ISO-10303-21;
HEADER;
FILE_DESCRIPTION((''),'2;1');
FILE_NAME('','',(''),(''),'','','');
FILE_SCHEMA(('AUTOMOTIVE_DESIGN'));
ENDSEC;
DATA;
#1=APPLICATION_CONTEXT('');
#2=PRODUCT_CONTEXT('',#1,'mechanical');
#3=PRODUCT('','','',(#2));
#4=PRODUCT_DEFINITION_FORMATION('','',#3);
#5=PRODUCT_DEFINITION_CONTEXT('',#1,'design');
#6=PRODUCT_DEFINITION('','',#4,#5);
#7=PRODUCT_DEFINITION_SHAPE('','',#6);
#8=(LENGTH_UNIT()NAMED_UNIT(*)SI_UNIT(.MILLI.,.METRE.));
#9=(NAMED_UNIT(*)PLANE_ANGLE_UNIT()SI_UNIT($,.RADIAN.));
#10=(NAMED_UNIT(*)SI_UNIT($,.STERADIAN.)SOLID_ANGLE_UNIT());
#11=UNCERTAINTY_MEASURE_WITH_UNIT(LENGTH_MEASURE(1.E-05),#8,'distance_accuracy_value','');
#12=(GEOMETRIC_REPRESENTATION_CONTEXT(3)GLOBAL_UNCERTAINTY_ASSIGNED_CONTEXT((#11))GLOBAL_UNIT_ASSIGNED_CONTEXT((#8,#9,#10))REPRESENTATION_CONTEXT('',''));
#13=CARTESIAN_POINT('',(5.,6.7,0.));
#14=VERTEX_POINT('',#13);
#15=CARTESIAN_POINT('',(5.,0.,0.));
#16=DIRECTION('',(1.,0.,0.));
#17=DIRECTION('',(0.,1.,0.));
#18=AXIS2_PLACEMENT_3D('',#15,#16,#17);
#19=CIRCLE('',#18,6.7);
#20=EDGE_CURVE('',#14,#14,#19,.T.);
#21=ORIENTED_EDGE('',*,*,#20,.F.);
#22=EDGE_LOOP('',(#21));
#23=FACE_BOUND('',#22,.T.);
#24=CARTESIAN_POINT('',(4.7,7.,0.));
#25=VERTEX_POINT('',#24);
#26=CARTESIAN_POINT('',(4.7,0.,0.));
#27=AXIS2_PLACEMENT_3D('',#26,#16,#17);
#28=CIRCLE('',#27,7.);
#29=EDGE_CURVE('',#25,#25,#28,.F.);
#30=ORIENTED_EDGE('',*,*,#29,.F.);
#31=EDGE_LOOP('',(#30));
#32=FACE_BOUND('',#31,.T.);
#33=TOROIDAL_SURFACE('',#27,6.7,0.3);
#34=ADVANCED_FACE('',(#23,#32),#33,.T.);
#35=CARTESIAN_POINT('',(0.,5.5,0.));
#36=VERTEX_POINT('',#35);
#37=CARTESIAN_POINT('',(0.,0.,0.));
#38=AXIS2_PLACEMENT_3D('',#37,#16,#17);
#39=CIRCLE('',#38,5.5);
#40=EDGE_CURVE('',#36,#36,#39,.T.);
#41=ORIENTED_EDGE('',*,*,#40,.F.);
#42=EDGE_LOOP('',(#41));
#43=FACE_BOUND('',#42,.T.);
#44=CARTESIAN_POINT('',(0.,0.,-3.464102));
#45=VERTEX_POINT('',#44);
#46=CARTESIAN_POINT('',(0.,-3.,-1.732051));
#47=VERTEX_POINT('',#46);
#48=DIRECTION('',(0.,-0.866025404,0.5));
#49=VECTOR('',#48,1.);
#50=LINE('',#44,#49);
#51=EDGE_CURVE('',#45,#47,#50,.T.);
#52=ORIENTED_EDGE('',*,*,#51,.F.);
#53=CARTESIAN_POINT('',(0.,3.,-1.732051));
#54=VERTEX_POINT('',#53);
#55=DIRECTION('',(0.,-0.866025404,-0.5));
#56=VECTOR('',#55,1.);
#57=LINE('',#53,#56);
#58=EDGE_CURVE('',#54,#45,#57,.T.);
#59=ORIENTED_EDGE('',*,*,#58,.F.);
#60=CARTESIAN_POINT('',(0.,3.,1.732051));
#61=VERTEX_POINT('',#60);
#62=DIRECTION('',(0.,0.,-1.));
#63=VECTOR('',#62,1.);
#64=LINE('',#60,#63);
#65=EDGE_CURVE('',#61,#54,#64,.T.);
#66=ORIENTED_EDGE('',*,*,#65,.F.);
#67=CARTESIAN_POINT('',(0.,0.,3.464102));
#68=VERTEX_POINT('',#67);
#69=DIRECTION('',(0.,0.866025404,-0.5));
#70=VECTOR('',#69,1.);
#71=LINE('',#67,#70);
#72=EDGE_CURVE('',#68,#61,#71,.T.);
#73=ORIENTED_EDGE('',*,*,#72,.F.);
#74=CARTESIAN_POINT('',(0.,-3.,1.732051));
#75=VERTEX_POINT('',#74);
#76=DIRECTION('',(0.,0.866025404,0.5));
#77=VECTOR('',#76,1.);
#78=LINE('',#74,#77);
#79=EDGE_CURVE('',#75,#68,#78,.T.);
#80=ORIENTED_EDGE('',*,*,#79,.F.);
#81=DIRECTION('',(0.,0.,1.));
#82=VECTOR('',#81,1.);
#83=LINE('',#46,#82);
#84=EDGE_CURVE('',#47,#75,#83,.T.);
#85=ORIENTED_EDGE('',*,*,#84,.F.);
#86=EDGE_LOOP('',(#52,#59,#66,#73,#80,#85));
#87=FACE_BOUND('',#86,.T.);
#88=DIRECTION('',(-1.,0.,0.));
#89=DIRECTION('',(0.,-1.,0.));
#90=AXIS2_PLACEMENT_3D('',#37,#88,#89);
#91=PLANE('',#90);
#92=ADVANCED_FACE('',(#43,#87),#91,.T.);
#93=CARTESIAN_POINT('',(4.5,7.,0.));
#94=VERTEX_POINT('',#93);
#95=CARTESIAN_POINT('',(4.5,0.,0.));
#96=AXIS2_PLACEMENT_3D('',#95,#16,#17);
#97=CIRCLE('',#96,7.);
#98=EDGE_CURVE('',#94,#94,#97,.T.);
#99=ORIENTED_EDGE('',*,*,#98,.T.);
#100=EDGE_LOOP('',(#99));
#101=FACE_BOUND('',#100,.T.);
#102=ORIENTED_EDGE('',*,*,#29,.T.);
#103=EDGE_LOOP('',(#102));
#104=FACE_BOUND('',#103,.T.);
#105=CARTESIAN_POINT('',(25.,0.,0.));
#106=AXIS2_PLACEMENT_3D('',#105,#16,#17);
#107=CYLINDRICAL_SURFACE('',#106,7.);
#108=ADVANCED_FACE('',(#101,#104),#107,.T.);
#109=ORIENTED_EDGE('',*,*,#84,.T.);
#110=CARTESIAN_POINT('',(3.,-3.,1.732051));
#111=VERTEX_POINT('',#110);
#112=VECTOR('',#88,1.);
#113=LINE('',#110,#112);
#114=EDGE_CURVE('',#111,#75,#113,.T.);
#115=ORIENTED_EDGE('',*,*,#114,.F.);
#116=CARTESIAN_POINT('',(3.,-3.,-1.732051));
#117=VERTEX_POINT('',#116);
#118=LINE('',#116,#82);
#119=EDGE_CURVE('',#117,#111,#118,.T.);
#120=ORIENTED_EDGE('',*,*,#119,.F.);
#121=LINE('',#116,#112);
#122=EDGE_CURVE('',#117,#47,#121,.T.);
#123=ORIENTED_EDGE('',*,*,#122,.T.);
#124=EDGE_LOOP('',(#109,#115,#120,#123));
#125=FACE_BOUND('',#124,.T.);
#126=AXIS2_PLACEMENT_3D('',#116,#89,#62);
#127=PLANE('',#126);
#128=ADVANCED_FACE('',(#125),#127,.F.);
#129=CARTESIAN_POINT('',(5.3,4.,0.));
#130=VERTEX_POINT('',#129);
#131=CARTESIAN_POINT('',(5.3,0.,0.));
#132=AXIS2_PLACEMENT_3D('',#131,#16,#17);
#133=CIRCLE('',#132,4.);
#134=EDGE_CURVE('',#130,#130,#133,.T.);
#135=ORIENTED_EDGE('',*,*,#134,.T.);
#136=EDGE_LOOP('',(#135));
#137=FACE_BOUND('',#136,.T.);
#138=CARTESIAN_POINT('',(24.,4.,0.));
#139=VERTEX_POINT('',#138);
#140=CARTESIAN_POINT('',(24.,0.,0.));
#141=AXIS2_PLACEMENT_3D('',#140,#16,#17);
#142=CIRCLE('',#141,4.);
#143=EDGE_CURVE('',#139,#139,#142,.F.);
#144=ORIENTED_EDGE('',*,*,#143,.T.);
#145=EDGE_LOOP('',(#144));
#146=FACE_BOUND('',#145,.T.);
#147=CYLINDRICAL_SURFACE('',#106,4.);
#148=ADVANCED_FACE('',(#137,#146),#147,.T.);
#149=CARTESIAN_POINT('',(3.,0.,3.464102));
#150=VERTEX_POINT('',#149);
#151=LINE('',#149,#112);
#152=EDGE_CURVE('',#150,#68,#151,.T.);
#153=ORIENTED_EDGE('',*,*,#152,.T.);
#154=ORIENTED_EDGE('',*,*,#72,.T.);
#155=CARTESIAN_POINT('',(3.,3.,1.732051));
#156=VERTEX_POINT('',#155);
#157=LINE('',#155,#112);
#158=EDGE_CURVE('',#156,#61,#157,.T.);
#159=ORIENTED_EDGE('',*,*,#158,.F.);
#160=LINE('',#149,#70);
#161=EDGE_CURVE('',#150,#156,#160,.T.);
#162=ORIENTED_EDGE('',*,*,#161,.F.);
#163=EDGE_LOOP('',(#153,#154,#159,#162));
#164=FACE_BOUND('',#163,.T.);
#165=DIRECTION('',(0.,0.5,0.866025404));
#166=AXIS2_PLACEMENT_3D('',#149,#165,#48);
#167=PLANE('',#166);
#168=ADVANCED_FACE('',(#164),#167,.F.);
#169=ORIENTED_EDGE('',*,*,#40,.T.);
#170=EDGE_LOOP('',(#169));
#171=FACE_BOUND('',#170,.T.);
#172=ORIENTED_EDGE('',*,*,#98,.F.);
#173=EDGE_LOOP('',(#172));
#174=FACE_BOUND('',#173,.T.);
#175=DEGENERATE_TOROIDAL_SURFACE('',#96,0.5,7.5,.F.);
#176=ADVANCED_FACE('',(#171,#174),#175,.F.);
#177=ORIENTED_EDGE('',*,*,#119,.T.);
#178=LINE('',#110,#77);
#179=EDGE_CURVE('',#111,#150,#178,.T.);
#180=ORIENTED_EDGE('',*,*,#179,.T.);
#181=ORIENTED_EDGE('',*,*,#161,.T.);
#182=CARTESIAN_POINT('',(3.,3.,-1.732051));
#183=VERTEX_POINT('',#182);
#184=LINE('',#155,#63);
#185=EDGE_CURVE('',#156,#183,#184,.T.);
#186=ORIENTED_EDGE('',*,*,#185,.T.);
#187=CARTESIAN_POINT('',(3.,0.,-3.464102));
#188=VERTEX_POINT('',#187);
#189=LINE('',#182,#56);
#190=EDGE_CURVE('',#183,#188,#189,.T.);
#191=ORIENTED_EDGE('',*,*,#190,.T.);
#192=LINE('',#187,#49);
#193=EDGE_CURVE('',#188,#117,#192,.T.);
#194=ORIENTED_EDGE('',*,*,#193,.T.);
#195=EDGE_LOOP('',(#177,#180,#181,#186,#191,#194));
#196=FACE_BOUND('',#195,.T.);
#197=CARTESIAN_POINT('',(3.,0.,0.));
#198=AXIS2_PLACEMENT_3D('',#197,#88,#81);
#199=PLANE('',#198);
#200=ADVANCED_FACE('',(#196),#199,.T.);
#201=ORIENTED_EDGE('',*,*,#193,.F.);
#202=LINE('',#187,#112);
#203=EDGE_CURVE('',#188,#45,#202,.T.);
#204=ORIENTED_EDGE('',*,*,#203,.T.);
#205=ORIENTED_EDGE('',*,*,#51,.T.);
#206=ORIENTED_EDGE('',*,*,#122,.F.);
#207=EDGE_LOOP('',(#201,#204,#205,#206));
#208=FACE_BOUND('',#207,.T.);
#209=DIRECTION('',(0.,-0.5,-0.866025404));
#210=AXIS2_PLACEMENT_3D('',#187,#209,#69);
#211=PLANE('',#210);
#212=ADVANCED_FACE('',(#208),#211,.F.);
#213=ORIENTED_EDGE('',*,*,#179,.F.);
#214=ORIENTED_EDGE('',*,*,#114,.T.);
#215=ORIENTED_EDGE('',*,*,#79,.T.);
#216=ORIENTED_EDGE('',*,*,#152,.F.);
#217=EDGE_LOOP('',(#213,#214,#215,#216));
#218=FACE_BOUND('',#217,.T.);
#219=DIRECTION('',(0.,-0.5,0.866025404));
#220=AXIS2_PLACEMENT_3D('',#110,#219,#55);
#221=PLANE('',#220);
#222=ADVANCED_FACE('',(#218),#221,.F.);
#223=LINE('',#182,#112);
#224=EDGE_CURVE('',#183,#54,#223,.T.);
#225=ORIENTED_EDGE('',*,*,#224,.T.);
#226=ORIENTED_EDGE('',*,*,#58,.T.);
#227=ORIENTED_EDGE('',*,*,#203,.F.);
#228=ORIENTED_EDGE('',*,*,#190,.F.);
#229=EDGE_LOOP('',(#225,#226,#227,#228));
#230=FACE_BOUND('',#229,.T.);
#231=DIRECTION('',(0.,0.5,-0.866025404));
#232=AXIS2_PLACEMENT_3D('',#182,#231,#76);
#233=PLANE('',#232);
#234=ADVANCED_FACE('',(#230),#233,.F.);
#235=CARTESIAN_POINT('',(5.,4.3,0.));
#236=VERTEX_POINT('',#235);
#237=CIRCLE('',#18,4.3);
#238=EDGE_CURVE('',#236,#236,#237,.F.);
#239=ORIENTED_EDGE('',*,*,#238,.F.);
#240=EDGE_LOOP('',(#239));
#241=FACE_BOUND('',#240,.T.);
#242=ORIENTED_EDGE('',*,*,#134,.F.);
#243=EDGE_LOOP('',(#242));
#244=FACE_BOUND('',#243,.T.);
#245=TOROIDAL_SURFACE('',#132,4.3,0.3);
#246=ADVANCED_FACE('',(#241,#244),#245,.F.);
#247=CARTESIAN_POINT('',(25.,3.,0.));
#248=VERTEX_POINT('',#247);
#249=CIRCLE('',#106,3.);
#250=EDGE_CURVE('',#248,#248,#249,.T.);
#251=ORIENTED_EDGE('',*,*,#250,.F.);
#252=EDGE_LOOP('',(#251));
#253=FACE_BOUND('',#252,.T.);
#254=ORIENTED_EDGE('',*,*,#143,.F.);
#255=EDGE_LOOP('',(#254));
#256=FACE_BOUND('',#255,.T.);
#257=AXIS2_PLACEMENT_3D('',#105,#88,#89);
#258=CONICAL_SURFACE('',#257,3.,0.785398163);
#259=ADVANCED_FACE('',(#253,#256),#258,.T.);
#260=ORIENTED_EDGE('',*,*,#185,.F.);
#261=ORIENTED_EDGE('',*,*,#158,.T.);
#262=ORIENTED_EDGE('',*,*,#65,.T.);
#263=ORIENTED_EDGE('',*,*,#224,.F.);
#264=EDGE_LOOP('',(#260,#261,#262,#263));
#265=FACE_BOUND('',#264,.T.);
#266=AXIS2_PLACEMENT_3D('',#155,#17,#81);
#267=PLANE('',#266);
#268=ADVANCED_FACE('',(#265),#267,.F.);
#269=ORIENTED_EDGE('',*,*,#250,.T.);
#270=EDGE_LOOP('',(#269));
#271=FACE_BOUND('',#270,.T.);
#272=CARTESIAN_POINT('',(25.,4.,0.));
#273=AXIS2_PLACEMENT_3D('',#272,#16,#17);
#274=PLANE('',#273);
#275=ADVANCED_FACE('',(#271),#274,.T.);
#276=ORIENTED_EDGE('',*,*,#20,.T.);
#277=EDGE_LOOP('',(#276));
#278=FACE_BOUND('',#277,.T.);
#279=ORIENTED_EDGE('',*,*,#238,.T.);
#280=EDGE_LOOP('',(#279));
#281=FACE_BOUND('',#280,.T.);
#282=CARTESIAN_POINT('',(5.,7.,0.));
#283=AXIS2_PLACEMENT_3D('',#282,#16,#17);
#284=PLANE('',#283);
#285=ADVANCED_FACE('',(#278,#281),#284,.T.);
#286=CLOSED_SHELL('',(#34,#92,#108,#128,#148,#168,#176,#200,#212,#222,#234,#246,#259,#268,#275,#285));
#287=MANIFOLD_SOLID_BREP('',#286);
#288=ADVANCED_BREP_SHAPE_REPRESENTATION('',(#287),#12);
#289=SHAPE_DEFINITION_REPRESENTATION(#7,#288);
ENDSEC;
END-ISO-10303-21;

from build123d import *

# Parameters (mm, degrees)
CUT_EXTRUDE_1_DEPTH = 3
FILLET_1_R          = 0.3
CHAMFER_1_SIZE      = 1


with BuildPart() as part:
    # Эскиз1 → Повернуть1 (revolve)
    with BuildSketch(Plane.XY):
        with BuildLine():
            Line((0, 0), (0, 5.5))
            ThreePointArc((0, 5.5), (2.128291755, 6.615124735), (4.5, 7))
            Line((4.5, 7), (5, 7))
            Line((5, 7), (5, 4))
            Line((5, 4), (25, 4))
            Line((25, 4), (25, 0))
            Line((25, 0), (0, 0))
        make_face()
    revolve(axis=Axis((25, 0, 0), (-1, 0, 0)))

    # Эскиз2 → Вырез-Вытянуть1 (cut)
    with BuildSketch(Plane.ZY):
        Polygon((1.732050808, 3), (-1.732050808, 3), (-3.464101615, 0), (-1.732050808, -3), (1.732050808, -3), (3.464101615, 0), align=None)
    extrude(amount=-CUT_EXTRUDE_1_DEPTH, mode=Mode.SUBTRACT)

    # Скругление1
    fillet_1_edges = [part.edges().sort_by_distance(p)[0] for p in [
        (5, -4, 0),
        (5, -7, 0),
    ]]
    fillet(fillet_1_edges, radius=FILLET_1_R)

    # Фаска1
    chamfer_1_edges = [part.edges().sort_by_distance(p)[0] for p in [
        (25, -4, 0),
    ]]
    chamfer(chamfer_1_edges, length=CHAMFER_1_SIZE)


solid = part.part
